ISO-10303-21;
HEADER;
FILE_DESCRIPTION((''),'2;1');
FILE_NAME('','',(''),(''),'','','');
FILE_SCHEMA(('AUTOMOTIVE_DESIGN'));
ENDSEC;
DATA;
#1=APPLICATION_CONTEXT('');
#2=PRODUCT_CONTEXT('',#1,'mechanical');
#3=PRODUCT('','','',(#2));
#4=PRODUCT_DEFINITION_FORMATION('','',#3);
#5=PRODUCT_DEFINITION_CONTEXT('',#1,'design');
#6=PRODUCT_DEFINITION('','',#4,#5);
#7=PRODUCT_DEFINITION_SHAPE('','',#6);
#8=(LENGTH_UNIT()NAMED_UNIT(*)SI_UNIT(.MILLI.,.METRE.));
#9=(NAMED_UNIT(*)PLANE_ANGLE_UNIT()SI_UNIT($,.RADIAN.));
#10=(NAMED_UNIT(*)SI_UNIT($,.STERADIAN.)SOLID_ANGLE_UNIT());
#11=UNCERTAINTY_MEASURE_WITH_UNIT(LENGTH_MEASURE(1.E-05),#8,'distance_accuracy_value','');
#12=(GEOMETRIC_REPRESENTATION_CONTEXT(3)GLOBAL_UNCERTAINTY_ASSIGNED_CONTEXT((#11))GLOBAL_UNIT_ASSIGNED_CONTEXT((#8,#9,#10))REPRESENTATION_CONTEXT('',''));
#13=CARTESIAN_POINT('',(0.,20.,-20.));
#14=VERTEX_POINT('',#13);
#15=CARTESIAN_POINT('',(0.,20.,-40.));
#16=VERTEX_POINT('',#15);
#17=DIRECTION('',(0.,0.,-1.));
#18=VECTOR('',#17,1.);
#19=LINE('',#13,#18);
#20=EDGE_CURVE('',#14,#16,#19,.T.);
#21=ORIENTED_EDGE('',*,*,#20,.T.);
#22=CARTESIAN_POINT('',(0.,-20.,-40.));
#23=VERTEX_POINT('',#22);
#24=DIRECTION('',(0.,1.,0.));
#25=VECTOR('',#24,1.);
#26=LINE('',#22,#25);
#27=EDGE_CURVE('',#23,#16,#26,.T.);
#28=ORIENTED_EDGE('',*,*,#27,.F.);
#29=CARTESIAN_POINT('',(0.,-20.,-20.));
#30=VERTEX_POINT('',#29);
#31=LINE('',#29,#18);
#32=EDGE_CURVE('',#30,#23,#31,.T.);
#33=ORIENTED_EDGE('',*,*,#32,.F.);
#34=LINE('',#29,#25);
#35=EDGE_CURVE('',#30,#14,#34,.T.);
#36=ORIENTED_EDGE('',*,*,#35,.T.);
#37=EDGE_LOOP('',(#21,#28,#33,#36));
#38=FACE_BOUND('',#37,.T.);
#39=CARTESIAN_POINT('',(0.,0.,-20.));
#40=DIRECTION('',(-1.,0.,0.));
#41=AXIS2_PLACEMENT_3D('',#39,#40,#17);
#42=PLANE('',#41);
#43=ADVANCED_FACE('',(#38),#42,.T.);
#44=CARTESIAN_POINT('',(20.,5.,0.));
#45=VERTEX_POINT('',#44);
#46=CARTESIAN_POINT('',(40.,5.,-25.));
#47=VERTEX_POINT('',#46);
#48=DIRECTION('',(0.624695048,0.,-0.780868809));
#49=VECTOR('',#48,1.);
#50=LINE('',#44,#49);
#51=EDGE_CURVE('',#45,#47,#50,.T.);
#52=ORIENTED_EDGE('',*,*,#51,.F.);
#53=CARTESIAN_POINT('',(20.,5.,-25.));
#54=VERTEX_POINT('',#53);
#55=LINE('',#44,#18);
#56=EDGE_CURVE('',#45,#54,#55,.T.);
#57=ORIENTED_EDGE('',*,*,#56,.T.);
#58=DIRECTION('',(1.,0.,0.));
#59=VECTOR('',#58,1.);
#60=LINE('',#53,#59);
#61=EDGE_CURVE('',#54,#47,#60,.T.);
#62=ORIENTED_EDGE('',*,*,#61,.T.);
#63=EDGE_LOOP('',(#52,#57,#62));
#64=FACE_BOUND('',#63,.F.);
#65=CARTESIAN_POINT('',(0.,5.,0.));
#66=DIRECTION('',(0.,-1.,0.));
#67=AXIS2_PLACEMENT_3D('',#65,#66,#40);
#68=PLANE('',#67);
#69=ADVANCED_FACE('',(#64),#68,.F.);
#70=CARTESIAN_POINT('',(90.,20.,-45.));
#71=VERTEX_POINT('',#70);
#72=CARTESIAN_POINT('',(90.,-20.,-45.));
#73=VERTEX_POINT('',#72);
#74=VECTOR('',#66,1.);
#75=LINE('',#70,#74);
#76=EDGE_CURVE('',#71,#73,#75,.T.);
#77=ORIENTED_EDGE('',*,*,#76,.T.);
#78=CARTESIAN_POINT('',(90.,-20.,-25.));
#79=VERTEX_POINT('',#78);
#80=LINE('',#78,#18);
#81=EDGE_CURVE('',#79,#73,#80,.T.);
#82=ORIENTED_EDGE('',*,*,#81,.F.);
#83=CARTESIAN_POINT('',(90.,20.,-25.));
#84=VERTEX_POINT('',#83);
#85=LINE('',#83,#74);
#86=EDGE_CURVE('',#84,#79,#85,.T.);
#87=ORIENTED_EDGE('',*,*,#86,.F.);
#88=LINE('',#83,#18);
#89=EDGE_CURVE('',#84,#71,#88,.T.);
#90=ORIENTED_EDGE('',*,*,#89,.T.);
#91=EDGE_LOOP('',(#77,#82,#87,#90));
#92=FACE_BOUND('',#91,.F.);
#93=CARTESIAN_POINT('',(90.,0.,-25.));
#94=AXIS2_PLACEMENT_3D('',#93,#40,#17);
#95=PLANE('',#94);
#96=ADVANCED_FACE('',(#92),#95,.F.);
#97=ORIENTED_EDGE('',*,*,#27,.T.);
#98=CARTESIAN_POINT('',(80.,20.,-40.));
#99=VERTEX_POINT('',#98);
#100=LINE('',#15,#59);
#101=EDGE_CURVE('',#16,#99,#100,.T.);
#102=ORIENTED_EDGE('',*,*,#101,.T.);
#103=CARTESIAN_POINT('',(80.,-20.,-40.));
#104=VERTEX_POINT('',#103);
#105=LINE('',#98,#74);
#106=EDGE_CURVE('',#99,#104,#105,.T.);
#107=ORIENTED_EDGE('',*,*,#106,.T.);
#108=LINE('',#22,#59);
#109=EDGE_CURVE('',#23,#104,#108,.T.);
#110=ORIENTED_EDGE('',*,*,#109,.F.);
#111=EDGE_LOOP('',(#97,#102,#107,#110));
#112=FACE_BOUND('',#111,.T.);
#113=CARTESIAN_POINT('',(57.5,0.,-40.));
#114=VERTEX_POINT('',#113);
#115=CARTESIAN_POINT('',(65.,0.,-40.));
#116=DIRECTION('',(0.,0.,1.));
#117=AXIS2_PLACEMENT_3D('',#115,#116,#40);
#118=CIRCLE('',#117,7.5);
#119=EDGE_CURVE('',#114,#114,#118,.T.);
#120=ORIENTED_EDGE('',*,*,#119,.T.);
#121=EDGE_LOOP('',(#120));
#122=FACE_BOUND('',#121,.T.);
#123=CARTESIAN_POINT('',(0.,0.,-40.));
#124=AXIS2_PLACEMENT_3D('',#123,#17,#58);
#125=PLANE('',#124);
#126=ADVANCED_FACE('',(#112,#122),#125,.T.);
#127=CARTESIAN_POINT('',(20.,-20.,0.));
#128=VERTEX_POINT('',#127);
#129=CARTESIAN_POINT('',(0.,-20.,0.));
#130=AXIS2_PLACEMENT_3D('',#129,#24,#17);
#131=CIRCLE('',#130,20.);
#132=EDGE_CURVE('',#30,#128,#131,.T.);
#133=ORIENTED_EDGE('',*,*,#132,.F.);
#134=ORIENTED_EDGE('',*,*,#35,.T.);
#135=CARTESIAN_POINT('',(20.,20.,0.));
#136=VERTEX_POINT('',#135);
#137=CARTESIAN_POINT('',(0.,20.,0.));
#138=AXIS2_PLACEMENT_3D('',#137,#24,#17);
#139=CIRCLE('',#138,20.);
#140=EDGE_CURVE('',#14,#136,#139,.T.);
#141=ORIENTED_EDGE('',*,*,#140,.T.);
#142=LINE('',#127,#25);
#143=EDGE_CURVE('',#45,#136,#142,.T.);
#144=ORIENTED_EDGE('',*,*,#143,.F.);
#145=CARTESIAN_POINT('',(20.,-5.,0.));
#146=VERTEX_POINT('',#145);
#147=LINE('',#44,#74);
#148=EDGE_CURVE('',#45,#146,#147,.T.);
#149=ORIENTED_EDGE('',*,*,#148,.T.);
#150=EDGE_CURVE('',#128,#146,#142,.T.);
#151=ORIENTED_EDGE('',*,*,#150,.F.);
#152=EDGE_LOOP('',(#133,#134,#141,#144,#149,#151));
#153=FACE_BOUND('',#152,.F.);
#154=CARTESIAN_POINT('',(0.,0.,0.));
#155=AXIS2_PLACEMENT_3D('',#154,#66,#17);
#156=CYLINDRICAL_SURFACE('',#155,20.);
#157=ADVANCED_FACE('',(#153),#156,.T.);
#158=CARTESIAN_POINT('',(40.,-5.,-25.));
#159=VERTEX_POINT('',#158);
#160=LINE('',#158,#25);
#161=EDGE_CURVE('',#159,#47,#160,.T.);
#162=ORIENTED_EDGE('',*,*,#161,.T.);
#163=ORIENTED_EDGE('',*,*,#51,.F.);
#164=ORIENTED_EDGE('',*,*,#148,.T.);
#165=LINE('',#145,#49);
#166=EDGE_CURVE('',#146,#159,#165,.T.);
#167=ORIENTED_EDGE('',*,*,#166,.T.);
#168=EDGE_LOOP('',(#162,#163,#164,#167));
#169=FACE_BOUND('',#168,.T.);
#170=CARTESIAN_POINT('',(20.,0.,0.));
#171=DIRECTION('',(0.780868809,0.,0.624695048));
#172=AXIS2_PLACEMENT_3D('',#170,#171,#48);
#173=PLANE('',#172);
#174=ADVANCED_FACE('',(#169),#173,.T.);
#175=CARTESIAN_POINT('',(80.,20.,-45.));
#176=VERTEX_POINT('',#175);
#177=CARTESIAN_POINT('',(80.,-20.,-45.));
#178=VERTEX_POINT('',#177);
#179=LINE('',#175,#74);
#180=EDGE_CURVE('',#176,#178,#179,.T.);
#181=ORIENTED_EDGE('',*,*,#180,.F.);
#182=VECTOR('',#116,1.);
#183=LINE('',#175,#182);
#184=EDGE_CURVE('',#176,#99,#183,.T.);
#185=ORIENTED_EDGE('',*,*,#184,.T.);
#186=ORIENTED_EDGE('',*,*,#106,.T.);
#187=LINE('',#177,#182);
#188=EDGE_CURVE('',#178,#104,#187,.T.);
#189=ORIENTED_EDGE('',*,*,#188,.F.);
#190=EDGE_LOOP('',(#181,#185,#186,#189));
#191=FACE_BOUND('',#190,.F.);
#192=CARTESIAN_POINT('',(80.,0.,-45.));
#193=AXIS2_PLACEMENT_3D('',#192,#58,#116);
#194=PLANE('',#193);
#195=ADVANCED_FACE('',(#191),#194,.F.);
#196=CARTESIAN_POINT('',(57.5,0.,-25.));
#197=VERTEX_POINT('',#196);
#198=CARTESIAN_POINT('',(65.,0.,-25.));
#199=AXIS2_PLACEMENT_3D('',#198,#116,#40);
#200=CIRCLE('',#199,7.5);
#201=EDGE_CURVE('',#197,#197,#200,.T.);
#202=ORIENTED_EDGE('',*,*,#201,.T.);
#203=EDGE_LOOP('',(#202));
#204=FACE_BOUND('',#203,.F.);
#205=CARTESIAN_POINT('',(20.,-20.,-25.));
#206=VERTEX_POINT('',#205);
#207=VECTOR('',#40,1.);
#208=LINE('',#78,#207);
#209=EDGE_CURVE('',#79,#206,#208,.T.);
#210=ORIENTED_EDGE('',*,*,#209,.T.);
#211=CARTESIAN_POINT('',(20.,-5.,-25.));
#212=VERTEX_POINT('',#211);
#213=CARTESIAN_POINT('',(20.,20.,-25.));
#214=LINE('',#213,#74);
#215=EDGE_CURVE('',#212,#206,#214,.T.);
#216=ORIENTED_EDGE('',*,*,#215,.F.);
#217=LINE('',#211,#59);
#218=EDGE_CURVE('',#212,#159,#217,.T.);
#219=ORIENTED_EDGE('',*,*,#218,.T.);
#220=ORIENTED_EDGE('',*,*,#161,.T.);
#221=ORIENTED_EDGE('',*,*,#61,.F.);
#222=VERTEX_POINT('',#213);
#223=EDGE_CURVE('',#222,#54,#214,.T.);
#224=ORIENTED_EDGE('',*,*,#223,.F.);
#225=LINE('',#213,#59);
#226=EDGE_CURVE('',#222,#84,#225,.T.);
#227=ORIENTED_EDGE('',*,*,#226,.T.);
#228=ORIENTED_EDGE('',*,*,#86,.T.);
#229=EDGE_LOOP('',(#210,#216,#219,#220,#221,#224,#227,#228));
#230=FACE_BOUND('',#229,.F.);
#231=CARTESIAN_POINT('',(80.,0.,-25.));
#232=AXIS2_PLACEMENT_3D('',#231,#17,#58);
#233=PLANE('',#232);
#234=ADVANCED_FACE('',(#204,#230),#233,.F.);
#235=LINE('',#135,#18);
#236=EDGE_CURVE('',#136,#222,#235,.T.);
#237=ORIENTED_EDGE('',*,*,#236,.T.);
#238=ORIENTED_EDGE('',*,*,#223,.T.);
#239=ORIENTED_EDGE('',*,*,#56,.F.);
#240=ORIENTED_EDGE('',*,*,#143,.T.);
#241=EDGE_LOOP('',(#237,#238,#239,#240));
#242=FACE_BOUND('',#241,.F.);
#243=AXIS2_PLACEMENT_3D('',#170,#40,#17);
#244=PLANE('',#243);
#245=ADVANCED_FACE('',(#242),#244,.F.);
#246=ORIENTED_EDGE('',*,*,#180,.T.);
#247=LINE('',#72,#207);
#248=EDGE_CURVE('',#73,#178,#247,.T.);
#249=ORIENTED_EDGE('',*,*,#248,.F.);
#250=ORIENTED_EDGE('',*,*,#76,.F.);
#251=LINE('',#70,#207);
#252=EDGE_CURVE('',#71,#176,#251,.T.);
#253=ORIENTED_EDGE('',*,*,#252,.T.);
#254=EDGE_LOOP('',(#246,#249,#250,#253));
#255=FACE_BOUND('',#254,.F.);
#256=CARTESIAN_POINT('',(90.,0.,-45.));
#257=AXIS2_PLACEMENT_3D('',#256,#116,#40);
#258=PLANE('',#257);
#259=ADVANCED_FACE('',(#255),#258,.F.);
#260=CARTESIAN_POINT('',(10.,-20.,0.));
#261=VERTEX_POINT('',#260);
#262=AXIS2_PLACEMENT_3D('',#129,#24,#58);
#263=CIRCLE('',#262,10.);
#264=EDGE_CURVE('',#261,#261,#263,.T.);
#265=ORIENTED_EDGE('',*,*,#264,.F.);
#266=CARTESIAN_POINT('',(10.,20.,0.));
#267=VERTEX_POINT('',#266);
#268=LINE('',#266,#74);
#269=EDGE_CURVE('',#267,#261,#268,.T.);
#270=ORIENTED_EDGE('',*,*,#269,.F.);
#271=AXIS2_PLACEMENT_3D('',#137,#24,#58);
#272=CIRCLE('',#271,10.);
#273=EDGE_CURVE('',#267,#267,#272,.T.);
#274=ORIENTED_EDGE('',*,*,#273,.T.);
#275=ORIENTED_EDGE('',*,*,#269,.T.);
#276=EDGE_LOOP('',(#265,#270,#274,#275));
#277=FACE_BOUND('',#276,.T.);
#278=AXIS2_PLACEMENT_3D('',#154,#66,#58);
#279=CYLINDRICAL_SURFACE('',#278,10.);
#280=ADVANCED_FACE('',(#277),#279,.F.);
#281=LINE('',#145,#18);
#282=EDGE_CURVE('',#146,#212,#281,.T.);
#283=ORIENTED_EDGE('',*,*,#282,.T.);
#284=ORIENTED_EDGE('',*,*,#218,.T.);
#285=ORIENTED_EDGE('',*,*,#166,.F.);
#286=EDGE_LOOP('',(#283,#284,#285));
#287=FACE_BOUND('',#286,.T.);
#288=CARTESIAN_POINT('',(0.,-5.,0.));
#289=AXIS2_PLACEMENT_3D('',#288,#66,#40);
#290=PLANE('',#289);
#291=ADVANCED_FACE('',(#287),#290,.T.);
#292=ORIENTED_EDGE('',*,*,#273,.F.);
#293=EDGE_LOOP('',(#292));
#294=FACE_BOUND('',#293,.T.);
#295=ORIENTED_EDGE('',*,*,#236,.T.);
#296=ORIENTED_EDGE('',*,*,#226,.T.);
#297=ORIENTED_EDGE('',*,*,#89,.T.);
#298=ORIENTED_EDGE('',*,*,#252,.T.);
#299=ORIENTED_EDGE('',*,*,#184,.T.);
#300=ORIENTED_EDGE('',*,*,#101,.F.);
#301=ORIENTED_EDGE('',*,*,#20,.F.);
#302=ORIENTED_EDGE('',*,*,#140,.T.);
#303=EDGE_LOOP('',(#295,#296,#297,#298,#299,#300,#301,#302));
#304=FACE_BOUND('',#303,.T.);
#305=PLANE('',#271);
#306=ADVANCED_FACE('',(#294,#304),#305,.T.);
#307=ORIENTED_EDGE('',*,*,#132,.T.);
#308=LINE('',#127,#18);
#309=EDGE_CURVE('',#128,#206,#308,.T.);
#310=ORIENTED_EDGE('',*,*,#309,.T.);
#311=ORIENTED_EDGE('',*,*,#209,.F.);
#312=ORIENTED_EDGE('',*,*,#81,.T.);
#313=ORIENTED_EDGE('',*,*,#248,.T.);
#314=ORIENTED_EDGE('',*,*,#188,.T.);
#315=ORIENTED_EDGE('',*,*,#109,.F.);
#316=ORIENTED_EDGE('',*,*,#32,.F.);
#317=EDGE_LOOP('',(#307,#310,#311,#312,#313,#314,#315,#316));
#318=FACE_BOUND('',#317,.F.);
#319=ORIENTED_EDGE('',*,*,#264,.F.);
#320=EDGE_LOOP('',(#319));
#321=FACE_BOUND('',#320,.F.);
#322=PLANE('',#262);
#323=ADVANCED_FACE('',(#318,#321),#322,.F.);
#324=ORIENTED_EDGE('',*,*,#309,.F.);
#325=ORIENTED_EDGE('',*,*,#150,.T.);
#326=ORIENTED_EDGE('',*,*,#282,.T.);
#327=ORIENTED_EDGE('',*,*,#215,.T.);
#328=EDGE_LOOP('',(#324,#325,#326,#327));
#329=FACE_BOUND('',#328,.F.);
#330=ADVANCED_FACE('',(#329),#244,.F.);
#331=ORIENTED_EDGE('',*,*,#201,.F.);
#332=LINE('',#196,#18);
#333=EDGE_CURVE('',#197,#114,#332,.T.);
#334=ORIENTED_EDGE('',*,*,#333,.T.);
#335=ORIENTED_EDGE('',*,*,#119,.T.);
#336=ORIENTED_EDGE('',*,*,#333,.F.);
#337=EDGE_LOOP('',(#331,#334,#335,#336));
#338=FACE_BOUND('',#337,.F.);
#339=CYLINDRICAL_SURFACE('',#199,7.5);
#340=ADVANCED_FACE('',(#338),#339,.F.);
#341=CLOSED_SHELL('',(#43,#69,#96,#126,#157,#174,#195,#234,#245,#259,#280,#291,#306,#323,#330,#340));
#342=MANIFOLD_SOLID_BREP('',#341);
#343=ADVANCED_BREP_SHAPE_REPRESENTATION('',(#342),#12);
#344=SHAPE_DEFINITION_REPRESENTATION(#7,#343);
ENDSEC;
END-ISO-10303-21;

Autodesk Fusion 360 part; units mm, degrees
sketch "Sketch1" plane through (0, 0, 0) normal (0, 1, 0) x (1, 0, 0)
  circle A0 centre (0, 0) radius 10
  line L0 (0, 40) -> (80, 40)
  line L1 (20, 0) -> (20, 25)
  line L2 (20, 25) -> (80, 25)
  arc A1 (0, 20) -> (20, 0) centre (0, 0) ccw
  line L3 (80, 25) -> (90, 25)
  line L4 (90, 25) -> (90, 45)
  line L5 (90, 45) -> (80, 45)
  line L6 (80, 45) -> (80, 40)
  line L7 (0, 20) -> (0, 40)
  dimension "d1" = 20
  dimension "d2" = 40
  dimension "d3" = 40
  dimension "d4" = 80
  dimension "d5" = 15
  dimension "d6" = 5
  dimension "d7" = 10
extrude "Extrude1" add sketch "Sketch1" along normal mid plane 40
sketch "Sketch2" plane through (0, 0, 0) normal (0, 1, 0) x (1, 0, 0)
sketch "Sketch3" plane through (0, 0, -25) normal (0, 0, 1) x (-1, 0, 0)
  line L0 (-90, 20) -> (-90, -20)
  line L1 (-90, -20) -> (-20, -20)
  line L2 (-20, -20) -> (-20, 20)
  line L3 (-20, 20) -> (-90, 20)
  circle A0 centre (-65, 0) radius 7.5
  dimension "d10" = 15
  dimension "d11" = 25
  dimension "d12" = 20
extrude "Extrude2" cut sketch "Sketch3" against normal blind 40 contours A0
ref_plane "WorkPlane1" through (35, 0, -12.5) normal (0, -1, 0) x (-1, 0, 0)
sketch "Sketch4" plane through (0, 0, 0) normal (0, -1, 0) x (-1, 0, 0)
  line L0 (-20, 0) -> (-40, 25)
  line L1 (-20, 0) -> (-20, 25)
  line L2 (-20, 25) -> (-40, 25)
extrude "Extrude3" add sketch "Sketch4" along normal mid plane 10
